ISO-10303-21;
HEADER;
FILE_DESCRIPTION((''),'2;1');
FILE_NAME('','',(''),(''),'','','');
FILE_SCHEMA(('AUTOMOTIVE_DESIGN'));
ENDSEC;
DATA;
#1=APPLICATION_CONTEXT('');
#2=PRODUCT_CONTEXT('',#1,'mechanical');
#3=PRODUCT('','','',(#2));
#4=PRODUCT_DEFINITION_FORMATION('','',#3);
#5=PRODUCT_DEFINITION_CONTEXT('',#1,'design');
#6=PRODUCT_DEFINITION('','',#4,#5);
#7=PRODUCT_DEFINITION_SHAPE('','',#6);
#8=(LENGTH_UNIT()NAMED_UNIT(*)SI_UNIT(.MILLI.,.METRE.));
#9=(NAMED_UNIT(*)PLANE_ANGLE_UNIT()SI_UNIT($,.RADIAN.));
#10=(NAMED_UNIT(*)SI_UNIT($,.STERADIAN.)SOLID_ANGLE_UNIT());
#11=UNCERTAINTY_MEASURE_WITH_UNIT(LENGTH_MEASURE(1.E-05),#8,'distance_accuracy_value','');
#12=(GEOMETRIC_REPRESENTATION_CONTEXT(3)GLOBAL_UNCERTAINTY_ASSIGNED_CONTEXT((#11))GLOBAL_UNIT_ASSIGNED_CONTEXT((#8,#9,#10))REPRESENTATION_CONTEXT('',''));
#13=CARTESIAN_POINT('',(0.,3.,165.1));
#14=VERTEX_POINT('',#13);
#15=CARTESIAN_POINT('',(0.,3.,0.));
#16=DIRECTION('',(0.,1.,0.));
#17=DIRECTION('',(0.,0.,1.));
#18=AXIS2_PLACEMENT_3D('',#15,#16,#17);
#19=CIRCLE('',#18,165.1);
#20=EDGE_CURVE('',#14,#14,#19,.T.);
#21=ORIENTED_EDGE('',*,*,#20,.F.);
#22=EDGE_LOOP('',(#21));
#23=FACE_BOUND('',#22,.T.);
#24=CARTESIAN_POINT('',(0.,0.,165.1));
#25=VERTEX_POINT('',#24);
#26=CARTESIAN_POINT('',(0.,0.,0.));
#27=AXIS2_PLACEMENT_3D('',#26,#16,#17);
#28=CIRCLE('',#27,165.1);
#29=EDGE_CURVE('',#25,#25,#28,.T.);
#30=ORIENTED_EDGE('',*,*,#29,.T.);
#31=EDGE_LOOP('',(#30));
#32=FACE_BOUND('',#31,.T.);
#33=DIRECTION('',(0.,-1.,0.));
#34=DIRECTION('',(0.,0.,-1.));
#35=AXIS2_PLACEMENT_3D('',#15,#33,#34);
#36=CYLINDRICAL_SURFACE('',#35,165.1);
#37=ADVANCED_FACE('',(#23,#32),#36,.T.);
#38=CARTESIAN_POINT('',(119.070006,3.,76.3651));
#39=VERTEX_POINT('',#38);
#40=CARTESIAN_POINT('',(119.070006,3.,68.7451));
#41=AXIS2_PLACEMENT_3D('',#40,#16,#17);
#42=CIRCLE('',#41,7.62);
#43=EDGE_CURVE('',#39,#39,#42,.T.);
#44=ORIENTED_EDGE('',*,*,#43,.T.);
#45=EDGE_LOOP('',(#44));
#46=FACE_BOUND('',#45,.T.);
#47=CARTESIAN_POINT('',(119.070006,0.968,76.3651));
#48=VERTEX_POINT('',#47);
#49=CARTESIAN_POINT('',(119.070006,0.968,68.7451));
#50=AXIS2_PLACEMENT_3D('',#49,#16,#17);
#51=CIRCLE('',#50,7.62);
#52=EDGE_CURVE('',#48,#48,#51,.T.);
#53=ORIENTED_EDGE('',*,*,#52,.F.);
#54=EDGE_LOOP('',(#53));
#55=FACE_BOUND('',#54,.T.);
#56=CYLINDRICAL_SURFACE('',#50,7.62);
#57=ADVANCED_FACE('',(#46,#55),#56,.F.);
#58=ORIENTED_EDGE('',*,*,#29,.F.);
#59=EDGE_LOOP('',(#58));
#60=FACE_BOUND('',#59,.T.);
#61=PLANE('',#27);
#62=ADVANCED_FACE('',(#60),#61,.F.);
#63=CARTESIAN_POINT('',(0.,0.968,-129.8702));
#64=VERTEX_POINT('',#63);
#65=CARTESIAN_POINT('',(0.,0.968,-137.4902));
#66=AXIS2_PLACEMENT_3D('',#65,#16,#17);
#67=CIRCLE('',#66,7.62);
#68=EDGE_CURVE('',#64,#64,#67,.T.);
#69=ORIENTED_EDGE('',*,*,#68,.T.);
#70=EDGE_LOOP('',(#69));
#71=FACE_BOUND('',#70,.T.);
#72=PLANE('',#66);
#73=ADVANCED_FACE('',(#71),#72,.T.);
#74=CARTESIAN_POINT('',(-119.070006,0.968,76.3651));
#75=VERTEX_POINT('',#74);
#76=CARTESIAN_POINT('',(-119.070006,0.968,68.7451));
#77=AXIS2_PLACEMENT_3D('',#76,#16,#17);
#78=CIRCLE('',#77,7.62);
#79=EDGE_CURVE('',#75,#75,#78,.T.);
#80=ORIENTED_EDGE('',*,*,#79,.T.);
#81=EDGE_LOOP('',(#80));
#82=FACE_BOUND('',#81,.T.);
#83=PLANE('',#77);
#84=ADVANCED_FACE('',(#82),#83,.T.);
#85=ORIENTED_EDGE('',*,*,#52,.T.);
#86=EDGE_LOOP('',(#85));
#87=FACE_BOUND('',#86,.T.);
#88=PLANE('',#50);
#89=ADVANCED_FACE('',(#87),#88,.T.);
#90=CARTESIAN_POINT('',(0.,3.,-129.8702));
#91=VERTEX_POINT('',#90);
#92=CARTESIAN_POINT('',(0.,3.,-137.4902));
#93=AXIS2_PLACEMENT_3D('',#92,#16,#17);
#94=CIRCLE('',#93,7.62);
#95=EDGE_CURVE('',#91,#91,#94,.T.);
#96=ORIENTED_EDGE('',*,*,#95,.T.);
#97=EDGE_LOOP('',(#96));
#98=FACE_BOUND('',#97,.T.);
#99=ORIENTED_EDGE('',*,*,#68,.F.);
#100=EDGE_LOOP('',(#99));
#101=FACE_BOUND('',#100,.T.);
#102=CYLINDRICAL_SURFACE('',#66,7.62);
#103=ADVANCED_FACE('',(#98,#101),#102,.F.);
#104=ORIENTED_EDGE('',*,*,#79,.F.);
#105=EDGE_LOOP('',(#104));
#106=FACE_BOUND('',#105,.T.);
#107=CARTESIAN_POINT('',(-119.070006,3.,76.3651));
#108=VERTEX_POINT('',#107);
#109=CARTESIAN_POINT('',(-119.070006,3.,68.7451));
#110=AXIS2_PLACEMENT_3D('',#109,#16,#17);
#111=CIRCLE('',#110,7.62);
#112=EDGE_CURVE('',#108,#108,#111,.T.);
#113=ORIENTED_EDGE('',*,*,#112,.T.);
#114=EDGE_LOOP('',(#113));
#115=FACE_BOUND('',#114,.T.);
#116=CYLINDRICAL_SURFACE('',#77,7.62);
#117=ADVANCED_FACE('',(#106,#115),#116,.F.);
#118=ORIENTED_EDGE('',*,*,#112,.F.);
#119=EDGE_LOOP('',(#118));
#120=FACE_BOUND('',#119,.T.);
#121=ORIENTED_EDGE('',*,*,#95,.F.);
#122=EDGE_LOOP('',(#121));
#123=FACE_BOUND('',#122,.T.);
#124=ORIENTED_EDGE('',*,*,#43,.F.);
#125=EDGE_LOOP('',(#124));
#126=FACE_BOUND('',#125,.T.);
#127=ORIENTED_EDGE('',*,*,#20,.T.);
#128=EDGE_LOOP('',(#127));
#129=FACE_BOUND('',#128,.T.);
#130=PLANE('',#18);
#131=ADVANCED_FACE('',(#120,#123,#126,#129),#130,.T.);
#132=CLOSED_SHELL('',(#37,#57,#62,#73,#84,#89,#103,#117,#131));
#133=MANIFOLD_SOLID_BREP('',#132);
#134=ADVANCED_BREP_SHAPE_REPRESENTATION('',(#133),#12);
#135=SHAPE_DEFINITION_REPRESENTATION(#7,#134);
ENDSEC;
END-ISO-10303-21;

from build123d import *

# Parameters (mm, degrees)
SKETCH1_R           = 165.1
BOSS_EXTRUDE1_DEPTH = 3
SKETCH2_R           = 7.62
CUT_EXTRUDE1_DEPTH  = 2.032


with BuildPart() as part:
    # Sketch1 → Boss-Extrude1 (new body)
    with BuildSketch(Plane(origin=(0, 0, 0), x_dir=(1, 0, 0), z_dir=(0, 1, 0))):
        Circle(SKETCH1_R)
    extrude(amount=BOSS_EXTRUDE1_DEPTH)

    # Sketch2 → Cut-Extrude1 (cut)
    with BuildSketch(Plane(origin=(0, 3, 0), x_dir=(1, 0, 0), z_dir=(0, 1, 0))):
        with Locations((0, 137.4902)):
            Circle(SKETCH2_R)
        with Locations((119.070005971, -68.7451)):
            Circle(SKETCH2_R)
        with Locations((-119.070005971, -68.7451)):
            Circle(SKETCH2_R)
    extrude(amount=-CUT_EXTRUDE1_DEPTH, mode=Mode.SUBTRACT)


solid = part.part
